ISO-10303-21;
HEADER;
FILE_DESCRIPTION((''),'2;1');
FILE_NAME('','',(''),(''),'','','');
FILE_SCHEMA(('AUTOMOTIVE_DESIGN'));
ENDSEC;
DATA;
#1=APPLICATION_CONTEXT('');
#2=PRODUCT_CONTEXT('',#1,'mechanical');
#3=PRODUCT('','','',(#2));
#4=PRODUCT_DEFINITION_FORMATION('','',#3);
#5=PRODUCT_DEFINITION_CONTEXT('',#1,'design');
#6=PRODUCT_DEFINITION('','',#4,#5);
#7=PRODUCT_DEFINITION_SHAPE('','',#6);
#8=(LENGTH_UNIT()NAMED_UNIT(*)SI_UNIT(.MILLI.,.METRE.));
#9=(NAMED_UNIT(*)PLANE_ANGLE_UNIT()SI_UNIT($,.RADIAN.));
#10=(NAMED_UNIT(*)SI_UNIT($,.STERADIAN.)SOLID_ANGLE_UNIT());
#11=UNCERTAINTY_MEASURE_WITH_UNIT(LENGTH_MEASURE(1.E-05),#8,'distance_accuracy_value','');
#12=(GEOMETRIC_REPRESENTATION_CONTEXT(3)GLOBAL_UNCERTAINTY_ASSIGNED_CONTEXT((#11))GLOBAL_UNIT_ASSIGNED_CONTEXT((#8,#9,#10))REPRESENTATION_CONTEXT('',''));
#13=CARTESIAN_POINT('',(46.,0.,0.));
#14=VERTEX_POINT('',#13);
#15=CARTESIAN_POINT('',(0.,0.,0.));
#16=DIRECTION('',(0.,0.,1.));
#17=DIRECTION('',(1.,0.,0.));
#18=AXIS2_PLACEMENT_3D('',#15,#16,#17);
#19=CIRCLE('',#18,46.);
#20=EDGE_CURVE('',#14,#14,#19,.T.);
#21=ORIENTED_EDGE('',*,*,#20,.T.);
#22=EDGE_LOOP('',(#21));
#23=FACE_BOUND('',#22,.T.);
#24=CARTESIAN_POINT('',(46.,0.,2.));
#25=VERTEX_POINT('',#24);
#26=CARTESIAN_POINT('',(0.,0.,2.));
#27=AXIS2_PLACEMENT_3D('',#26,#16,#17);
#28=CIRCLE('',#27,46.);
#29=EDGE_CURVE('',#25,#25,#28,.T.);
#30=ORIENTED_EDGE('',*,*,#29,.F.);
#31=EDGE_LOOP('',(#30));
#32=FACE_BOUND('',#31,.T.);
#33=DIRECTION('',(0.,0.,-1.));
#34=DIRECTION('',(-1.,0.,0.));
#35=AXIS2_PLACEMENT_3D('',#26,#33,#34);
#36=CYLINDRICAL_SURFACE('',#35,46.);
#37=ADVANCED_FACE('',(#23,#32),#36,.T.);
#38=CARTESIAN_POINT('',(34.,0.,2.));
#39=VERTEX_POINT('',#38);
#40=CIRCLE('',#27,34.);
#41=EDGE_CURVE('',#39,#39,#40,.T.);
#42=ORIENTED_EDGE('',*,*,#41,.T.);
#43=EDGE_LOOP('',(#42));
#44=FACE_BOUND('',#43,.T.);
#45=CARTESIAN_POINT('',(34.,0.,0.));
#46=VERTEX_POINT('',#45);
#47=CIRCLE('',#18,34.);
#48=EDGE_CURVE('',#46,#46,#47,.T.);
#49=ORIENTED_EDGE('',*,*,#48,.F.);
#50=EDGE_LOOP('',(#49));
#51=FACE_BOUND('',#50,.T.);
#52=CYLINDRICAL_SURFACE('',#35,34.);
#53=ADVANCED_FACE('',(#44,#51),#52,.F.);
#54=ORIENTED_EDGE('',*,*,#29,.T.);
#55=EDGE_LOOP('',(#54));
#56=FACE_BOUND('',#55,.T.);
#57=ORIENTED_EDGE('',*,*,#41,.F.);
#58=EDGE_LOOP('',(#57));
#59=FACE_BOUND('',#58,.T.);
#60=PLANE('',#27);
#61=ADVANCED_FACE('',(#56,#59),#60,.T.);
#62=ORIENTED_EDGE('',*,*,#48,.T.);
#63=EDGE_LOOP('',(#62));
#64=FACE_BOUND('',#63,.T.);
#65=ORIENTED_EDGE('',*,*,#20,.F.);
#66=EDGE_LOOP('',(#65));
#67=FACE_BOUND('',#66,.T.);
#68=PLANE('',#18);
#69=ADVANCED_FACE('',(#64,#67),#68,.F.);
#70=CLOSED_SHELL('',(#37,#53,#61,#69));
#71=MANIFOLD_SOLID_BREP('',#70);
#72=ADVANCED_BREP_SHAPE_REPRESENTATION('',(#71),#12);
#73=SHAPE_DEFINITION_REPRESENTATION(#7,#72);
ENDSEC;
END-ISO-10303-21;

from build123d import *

# Parameters (mm, degrees)
SKICA1_R                = 46
SKICA1_R_2              = 34
P_IDAT_VYSUNUT_M1_DEPTH = 2


with BuildPart() as part:
    # Skica1 → Přidat vysunutím1 (new body)
    with BuildSketch(Plane.XY):
        Circle(SKICA1_R)
        Circle(SKICA1_R_2, mode=Mode.SUBTRACT)
    extrude(amount=P_IDAT_VYSUNUT_M1_DEPTH)


solid = part.part
